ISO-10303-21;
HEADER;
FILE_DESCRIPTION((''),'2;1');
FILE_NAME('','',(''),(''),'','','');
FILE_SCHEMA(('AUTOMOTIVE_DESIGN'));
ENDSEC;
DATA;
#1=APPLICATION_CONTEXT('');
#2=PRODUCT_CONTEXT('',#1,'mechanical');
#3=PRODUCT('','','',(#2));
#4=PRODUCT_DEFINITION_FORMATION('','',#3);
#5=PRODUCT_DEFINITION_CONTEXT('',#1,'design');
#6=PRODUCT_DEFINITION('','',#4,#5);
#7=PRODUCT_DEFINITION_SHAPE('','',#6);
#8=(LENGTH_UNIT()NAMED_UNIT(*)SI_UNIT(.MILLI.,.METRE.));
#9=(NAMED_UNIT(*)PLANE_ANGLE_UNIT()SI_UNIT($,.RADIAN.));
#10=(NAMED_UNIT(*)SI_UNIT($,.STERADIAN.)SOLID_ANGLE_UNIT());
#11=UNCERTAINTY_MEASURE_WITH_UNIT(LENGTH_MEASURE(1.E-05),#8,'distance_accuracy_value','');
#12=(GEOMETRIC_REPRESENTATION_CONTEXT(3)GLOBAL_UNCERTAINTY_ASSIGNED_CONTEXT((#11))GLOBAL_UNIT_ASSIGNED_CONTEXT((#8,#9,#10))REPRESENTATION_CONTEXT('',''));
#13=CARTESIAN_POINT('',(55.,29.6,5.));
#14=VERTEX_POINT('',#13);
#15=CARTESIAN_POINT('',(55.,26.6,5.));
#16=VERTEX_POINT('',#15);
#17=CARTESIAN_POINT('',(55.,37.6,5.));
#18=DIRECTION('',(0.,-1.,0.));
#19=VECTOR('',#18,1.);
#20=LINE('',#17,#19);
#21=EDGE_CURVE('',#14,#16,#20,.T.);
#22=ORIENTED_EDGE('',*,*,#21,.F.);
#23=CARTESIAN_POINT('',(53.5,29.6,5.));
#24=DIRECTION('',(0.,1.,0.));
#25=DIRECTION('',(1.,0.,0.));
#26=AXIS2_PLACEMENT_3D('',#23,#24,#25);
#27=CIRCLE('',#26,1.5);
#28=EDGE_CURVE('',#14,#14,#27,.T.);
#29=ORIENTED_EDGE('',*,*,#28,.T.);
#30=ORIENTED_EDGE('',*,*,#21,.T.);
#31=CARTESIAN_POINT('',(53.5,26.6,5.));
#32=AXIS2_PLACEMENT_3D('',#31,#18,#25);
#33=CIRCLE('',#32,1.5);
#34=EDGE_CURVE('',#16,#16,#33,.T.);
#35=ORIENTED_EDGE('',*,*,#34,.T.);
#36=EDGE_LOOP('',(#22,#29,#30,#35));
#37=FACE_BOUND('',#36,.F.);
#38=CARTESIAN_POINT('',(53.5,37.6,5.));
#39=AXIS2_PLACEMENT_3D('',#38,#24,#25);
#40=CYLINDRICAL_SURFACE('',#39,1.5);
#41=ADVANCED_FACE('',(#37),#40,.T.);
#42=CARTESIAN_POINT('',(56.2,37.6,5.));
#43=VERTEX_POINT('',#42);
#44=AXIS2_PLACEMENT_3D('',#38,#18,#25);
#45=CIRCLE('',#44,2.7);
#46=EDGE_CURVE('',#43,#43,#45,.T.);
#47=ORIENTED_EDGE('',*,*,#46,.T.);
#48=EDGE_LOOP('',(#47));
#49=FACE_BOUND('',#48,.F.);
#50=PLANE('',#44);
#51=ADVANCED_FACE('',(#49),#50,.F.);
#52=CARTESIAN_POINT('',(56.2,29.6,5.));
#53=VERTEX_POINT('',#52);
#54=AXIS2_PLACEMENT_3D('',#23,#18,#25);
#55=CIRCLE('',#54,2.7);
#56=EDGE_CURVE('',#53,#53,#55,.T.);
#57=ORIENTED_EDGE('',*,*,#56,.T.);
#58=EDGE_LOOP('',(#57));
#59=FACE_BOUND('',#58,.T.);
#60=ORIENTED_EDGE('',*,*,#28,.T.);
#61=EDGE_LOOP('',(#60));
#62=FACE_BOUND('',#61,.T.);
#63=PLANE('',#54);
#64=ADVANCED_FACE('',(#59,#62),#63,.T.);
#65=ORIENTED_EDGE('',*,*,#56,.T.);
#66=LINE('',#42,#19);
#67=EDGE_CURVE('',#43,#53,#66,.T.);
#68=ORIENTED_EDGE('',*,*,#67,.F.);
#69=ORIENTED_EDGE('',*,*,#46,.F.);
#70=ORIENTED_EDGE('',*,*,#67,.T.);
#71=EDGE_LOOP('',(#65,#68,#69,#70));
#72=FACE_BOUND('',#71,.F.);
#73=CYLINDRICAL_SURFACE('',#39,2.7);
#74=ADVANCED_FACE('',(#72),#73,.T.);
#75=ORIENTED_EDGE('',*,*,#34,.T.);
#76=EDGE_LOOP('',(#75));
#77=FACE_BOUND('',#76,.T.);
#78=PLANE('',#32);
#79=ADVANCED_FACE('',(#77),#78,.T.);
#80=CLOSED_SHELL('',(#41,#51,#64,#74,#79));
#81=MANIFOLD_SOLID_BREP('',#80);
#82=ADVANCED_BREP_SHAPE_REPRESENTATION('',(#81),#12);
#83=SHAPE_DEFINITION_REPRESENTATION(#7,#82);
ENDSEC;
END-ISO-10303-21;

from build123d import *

# Parameters (mm, degrees)
CYLINDER012_R     = 2.7
CYLINDER012_DEPTH = 8
CYLINDER008_R     = 1.5
CYLINDER008_DEPTH = 11


with BuildPart() as cylinder012:
    # Cylinder012 → Cylinder012 (new body)
    with BuildSketch(Plane(origin=(53.5, 37.6, 5), x_dir=(1, 0, 0), z_dir=(0, -1, 0))):
        Circle(CYLINDER012_R)
    extrude(amount=CYLINDER012_DEPTH)


with BuildPart() as fusion016:
    # Cylinder008 → Cylinder008 (new body)
    with BuildSketch(Plane(origin=(53.5, 37.6, 5), x_dir=(1, 0, 0), z_dir=(0, -1, 0))):
        Circle(CYLINDER008_R)
    extrude(amount=CYLINDER008_DEPTH)

    # Fusion016: union Cylinder012
    add(cylinder012.part)


solid = fusion016.part
